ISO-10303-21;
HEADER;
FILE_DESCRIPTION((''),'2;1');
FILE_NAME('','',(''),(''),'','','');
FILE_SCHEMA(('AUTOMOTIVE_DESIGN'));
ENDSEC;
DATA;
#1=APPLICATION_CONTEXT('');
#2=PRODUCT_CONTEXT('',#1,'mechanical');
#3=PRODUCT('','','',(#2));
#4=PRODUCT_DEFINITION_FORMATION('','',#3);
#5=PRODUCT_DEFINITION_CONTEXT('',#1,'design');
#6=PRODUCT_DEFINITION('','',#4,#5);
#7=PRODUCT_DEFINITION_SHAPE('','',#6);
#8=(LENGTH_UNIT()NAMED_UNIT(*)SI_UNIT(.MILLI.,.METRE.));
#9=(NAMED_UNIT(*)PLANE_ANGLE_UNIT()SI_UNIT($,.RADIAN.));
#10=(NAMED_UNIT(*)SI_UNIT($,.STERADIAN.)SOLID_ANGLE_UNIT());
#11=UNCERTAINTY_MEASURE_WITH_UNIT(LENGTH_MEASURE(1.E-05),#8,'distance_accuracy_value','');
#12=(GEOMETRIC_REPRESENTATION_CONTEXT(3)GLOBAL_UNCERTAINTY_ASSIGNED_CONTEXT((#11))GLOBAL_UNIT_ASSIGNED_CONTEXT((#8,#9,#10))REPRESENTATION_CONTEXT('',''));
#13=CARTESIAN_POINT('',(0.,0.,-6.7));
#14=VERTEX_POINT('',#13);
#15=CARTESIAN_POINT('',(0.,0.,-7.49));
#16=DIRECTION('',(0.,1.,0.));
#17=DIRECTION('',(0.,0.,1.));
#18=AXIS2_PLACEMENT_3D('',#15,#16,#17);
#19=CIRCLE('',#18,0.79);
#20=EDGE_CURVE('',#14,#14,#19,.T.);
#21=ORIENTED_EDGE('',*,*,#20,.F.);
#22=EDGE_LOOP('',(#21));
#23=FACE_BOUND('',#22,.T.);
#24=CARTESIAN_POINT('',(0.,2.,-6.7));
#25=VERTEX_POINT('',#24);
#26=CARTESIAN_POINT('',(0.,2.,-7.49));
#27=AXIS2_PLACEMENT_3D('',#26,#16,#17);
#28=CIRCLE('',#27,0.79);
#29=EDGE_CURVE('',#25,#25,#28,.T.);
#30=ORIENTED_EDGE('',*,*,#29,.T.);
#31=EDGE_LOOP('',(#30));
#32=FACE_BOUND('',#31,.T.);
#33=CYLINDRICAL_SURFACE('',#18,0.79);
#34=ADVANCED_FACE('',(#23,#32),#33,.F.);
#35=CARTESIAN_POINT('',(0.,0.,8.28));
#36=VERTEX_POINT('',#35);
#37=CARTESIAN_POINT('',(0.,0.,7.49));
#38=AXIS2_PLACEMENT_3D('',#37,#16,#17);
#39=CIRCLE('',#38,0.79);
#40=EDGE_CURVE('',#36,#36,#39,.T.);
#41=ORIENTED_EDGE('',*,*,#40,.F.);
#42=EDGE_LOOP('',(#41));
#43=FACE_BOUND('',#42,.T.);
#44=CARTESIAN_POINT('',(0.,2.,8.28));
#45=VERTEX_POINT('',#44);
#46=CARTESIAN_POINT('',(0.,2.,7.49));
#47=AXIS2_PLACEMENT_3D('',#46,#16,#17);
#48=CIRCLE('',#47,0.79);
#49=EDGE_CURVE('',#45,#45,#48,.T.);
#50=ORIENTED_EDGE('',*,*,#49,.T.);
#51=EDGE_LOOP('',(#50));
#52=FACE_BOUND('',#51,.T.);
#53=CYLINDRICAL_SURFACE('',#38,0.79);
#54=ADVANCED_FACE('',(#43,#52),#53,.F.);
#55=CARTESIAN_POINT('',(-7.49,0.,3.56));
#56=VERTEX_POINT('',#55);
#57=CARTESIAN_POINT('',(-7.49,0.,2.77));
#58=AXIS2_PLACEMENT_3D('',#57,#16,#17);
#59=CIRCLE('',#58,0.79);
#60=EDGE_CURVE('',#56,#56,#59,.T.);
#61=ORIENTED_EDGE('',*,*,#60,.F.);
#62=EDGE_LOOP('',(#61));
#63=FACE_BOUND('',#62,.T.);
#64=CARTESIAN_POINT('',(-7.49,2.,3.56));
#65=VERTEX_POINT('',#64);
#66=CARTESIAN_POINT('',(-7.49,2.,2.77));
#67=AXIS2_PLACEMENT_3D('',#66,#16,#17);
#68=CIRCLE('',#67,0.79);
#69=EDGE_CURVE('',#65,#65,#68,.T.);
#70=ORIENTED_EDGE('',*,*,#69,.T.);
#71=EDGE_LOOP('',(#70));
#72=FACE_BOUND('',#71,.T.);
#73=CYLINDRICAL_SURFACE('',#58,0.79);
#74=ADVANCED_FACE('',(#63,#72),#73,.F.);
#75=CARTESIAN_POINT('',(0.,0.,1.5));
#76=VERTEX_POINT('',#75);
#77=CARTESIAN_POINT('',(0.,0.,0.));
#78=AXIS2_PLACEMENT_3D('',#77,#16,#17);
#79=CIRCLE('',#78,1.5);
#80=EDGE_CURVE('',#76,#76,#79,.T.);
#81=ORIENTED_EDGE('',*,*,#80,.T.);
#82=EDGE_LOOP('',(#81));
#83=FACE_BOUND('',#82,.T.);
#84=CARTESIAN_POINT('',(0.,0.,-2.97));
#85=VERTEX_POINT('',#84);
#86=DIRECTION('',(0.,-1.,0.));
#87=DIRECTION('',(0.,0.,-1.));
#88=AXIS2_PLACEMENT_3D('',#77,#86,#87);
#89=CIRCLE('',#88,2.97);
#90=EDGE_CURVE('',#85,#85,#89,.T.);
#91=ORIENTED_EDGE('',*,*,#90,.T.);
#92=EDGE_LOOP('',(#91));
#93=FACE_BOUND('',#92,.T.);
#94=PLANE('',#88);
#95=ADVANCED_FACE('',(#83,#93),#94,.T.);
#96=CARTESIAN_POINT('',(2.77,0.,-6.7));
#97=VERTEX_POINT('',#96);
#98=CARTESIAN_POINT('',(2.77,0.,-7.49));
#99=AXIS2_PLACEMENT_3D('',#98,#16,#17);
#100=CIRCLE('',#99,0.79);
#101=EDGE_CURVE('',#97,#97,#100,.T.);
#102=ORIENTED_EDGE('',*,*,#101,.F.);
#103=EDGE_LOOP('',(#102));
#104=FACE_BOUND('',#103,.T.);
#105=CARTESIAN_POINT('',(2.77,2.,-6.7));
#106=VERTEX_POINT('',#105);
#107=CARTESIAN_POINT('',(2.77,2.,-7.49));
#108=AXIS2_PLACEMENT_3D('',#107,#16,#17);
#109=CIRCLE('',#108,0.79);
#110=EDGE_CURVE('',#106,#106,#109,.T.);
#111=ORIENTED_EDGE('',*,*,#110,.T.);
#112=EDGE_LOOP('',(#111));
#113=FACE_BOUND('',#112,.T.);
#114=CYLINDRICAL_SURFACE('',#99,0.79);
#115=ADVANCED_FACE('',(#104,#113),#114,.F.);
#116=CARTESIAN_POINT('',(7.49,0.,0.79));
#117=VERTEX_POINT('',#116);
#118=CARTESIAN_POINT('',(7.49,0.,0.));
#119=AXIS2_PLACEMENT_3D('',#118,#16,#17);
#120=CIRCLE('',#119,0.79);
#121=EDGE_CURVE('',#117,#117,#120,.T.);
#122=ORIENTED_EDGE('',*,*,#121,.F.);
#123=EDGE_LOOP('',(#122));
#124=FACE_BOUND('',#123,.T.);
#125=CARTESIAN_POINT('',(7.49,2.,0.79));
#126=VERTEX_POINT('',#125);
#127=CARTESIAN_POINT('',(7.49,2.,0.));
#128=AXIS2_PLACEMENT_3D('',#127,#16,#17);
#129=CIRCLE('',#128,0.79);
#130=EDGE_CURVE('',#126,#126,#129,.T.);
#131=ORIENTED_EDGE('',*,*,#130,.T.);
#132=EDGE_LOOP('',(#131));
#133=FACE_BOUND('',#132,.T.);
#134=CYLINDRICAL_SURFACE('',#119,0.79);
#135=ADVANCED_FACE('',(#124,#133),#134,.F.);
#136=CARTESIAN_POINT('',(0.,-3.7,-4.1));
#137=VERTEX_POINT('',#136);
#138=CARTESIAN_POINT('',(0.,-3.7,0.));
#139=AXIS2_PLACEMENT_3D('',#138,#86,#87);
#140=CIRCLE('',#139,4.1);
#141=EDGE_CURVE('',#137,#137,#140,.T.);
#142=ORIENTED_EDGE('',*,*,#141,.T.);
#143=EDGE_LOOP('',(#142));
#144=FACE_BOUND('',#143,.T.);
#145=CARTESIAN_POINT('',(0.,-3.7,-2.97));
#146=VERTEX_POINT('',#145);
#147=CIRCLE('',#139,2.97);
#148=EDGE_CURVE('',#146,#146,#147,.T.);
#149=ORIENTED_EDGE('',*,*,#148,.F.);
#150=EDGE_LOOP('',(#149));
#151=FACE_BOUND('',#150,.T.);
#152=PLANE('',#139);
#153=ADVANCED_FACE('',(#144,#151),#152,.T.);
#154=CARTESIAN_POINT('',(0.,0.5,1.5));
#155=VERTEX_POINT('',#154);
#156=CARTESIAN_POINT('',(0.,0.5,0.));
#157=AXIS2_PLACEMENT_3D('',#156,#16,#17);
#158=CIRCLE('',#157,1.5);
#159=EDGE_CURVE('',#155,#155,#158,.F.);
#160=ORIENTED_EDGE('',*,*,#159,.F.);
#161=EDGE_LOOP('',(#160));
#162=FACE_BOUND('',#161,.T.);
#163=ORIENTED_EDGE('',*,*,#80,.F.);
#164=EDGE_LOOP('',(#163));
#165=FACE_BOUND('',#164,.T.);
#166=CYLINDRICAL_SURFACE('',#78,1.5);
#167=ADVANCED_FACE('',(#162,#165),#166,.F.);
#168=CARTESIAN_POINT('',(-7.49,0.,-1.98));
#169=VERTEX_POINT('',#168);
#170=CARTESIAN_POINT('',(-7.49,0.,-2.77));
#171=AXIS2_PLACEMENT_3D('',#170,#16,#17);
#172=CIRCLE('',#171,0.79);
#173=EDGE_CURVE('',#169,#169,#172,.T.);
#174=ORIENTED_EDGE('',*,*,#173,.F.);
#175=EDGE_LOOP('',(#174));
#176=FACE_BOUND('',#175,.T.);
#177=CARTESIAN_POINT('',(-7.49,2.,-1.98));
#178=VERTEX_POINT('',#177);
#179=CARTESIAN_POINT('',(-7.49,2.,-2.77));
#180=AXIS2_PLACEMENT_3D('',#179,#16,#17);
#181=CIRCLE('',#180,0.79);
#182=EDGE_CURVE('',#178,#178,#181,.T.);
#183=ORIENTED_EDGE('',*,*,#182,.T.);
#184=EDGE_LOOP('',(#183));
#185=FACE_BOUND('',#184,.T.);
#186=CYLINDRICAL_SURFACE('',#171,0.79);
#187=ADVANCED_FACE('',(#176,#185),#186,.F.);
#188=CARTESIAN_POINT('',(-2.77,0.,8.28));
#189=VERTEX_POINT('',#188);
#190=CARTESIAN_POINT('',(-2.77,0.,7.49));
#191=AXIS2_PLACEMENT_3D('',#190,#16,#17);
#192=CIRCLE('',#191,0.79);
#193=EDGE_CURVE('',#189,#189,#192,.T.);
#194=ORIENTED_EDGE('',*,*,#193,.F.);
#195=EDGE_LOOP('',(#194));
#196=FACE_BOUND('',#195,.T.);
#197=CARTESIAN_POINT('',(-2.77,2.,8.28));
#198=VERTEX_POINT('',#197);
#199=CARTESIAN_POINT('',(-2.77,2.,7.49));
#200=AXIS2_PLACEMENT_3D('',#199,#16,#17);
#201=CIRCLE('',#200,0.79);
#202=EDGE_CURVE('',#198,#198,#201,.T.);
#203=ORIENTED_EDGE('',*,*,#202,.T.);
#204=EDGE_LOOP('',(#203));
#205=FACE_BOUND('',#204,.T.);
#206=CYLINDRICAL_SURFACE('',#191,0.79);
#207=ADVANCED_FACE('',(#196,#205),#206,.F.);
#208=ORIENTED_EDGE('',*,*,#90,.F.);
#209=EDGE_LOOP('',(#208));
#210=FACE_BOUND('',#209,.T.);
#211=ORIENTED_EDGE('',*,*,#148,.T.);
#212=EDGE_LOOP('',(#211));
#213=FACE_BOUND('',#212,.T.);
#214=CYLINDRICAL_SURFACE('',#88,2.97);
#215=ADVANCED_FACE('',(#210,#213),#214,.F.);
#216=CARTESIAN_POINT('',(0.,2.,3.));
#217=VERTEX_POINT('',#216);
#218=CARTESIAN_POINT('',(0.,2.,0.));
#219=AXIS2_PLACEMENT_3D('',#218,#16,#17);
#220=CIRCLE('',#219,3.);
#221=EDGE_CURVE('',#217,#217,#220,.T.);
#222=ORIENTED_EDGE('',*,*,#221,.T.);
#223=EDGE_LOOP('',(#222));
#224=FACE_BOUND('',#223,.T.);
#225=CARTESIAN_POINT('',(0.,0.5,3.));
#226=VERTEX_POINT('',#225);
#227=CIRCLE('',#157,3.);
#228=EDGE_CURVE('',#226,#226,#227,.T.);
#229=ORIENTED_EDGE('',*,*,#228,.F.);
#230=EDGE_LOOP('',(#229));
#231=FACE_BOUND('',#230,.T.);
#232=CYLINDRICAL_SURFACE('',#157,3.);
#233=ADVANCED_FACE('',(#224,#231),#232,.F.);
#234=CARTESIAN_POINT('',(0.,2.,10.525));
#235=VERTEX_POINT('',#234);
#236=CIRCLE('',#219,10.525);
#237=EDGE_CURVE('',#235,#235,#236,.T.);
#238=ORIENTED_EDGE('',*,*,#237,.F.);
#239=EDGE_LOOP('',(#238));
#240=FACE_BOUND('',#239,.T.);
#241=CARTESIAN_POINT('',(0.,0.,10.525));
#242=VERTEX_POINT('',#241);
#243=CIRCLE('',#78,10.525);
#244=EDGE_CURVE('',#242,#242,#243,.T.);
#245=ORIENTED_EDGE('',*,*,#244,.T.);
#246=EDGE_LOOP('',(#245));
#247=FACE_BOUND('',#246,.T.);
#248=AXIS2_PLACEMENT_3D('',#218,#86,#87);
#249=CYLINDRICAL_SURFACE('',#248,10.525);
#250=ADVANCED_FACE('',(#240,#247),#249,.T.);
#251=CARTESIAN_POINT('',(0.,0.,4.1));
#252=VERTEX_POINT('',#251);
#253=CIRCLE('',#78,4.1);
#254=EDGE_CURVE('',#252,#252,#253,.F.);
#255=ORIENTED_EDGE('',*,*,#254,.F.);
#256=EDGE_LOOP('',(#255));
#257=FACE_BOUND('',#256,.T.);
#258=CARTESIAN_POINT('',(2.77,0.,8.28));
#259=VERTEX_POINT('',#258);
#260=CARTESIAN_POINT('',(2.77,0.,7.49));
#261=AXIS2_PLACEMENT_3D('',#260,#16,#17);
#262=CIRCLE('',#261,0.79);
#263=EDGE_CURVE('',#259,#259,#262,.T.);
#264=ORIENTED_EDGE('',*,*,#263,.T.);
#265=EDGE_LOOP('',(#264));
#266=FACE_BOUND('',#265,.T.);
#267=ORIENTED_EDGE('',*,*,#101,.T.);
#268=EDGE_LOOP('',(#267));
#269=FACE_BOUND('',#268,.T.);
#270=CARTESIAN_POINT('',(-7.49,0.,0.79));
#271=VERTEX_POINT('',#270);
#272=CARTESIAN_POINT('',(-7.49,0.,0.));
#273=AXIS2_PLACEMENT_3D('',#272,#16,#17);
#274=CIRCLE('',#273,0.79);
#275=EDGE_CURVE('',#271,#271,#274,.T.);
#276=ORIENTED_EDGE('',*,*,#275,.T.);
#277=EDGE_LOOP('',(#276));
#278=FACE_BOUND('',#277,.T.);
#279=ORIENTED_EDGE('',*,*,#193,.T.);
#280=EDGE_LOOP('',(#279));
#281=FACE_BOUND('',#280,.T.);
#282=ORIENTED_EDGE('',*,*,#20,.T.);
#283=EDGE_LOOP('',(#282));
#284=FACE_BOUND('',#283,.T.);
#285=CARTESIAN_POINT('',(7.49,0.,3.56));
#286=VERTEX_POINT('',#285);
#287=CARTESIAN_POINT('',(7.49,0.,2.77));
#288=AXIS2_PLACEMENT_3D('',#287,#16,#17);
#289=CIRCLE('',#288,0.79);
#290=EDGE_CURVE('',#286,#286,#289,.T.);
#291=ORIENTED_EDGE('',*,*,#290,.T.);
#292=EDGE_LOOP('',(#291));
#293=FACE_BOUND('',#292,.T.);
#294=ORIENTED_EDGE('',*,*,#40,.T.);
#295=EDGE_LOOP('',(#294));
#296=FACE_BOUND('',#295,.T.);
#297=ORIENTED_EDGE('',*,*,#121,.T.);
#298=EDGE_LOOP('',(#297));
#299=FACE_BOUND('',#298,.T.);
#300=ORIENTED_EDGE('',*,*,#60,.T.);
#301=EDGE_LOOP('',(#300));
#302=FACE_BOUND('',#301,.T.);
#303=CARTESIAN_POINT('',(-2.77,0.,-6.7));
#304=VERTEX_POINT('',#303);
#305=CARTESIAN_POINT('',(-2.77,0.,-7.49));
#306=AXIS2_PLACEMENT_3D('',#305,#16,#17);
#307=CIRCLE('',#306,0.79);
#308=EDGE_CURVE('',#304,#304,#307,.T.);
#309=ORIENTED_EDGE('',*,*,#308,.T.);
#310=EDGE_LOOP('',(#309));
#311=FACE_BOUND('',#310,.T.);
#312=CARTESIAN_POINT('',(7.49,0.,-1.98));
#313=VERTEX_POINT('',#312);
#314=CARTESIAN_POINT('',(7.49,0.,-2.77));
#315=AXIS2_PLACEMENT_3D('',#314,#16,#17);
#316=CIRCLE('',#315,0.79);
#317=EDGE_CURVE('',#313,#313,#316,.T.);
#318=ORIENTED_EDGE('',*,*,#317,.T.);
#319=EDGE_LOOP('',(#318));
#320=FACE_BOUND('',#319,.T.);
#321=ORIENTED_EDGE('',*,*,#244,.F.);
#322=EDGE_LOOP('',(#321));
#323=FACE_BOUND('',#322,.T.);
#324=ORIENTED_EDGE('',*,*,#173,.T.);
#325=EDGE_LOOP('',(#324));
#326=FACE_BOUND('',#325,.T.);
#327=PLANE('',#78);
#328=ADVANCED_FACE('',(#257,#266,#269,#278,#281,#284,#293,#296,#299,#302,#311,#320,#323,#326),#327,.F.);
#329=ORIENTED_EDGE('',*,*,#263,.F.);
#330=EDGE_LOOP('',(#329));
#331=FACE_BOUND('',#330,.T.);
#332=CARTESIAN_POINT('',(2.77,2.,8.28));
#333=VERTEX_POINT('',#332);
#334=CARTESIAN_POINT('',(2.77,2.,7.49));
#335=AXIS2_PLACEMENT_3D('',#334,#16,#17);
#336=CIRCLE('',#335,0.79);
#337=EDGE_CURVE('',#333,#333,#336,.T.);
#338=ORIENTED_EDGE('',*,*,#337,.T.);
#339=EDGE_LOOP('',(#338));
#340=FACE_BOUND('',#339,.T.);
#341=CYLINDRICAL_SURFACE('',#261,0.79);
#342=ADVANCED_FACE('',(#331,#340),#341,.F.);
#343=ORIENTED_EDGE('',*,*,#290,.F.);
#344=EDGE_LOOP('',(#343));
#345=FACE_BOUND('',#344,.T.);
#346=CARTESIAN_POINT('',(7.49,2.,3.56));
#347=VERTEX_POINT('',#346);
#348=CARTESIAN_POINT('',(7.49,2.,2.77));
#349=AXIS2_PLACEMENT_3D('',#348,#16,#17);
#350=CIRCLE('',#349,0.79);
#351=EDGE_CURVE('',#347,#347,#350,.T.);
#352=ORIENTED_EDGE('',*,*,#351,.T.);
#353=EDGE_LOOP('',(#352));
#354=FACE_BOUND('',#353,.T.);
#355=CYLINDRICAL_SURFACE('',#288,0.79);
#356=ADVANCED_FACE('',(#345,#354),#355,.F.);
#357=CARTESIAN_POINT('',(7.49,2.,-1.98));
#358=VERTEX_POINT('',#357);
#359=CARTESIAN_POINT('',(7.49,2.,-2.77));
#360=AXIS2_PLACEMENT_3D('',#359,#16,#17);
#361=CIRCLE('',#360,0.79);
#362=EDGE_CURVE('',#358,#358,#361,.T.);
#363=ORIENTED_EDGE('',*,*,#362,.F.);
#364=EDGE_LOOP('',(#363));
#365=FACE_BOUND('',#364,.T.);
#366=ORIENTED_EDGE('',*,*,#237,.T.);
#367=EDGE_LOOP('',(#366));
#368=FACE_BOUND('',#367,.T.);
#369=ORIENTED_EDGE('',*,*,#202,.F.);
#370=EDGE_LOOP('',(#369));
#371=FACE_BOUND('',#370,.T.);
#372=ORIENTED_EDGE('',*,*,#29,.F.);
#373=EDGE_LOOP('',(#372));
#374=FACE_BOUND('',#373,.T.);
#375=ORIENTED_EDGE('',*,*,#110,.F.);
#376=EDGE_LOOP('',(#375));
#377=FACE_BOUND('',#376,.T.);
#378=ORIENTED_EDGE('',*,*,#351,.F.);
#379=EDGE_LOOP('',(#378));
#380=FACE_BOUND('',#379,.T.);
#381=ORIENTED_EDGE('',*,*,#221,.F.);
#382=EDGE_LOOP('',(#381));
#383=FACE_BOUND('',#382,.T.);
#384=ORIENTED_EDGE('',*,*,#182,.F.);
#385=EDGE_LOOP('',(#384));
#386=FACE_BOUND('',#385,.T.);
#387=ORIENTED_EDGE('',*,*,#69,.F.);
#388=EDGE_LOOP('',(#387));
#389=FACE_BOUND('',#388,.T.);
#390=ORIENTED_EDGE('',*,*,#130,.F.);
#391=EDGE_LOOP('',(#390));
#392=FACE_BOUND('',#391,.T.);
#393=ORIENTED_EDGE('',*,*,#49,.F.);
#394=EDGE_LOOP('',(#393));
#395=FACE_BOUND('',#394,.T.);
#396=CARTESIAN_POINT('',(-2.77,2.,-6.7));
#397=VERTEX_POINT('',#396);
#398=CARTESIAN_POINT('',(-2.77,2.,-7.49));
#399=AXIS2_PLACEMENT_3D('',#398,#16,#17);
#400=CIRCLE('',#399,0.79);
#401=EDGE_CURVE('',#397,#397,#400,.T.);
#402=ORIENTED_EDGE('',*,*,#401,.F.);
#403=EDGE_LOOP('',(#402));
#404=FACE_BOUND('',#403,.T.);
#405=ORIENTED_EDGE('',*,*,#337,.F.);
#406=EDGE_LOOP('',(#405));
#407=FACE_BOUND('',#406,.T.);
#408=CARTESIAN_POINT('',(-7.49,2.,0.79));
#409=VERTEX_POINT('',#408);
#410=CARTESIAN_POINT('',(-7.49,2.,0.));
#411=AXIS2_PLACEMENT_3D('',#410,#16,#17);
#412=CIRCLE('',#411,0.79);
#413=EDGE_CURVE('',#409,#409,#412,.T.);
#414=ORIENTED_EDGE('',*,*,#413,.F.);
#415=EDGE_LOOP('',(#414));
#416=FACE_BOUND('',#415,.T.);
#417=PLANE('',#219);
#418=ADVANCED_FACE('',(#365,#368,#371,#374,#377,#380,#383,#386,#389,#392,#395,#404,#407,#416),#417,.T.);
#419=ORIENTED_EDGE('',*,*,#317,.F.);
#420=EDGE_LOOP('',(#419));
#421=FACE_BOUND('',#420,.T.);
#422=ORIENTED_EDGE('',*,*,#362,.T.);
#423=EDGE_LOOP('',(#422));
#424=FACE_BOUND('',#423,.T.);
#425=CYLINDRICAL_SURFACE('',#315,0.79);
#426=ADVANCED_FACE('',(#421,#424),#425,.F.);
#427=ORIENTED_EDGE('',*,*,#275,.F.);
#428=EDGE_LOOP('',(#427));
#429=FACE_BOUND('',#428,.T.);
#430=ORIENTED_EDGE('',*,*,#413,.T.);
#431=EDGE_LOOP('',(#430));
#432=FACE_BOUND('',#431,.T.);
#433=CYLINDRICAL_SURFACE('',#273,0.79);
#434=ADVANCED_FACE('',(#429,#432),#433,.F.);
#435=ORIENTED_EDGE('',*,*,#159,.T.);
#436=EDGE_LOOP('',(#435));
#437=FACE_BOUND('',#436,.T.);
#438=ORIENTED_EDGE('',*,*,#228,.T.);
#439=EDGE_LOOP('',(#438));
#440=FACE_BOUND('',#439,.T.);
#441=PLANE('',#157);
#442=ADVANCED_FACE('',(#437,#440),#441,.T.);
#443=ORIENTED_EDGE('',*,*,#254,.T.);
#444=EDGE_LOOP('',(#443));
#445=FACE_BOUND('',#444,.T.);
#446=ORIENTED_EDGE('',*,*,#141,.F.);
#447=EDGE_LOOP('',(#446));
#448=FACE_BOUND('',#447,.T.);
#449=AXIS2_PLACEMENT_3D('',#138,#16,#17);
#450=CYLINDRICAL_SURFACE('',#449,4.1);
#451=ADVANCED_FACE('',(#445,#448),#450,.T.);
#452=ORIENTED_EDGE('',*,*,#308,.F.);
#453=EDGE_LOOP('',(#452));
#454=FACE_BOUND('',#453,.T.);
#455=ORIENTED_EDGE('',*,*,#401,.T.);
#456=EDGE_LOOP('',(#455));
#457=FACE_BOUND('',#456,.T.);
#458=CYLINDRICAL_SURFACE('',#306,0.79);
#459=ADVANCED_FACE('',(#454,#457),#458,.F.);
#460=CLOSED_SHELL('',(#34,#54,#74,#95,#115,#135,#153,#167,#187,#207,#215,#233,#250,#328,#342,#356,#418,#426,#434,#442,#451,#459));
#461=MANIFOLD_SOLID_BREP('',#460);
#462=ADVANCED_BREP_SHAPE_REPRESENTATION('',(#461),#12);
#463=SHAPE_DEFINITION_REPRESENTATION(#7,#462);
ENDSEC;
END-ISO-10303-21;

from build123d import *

# Parameters (mm, degrees)
SKETCH_1_R           = 10.525
EXTRUDE_1_DEPTH      = 2
SKETCH_2_R           = 4.1
EXTRUDE_2_DEPTH      = 3.7
SKETCH_3_R           = 2.97
CUT_EXTRUDE_1_DEPTH  = 3.7
SKETCH_4_R           = 1.5
CUT_EXTRUDE_2_DEPTH  = 2
SKETCH_5_R           = 3
CUT_EXTRUDE_3_DEPTH  = 1.5
SKETCH_6_R           = 0.79
CUT_EXTRUDE_4_DEPTH  = 2
SKETCH_7_R           = 0.79
CUT_EXTRUDE_5_DEPTH  = 2
SKETCH_8_R           = 0.79
CUT_EXTRUDE_6_DEPTH  = 2
SKETCH_9_R           = 0.79
CUT_EXTRUDE_7_DEPTH  = 2
SKETCH_10_R          = 0.79
CUT_EXTRUDE_8_DEPTH  = 2
SKETCH_11_R          = 0.79
CUT_EXTRUDE_9_DEPTH  = 2
SKETCH_12_R          = 0.79
CUT_EXTRUDE_10_DEPTH = 2
SKETCH_13_R          = 0.79
CUT_EXTRUDE_11_DEPTH = 2
SKETCH_14_R          = 0.79
CUT_EXTRUDE_12_DEPTH = 2
SKETCH_15_R          = 0.79
CUT_EXTRUDE_13_DEPTH = 2
SKETCH_16_R          = 0.79
CUT_EXTRUDE_14_DEPTH = 2
SKETCH_17_R          = 0.79
CUT_EXTRUDE_15_DEPTH = 2


with BuildPart() as part:
    # ｽｹｯﾁ1 → ﾎﾞｽ - 押し出し1 (new body)
    with BuildSketch(Plane(origin=(0, 0, 0), x_dir=(1, 0, 0), z_dir=(0, 1, 0))):
        Circle(SKETCH_1_R)
    extrude(amount=EXTRUDE_1_DEPTH)

    # ｽｹｯﾁ2 → ﾎﾞｽ - 押し出し2 (add)
    with BuildSketch(Plane(origin=(0, 0, 0), x_dir=(-1, 0, 0), z_dir=(0, -1, 0))):
        Circle(SKETCH_2_R)
    extrude(amount=EXTRUDE_2_DEPTH)

    # ｽｹｯﾁ3 → ｶｯﾄ - 押し出し1 (cut)
    with BuildSketch(Plane(origin=(0, -3.7, 0), x_dir=(-1, 0, 0), z_dir=(0, -1, 0))):
        Circle(SKETCH_3_R)
    extrude(amount=-CUT_EXTRUDE_1_DEPTH, mode=Mode.SUBTRACT)

    # ｽｹｯﾁ4 → ｶｯﾄ - 押し出し2 (cut)
    with BuildSketch(Plane(origin=(0, 2, 0), x_dir=(1, 0, 0), z_dir=(0, 1, 0))):
        Circle(SKETCH_4_R)
    extrude(amount=-CUT_EXTRUDE_2_DEPTH, mode=Mode.SUBTRACT)

    # ｽｹｯﾁ5 → ｶｯﾄ - 押し出し3 (cut)
    with BuildSketch(Plane(origin=(0, 2, 0), x_dir=(1, 0, 0), z_dir=(0, 1, 0))):
        Circle(SKETCH_5_R)
    extrude(amount=-CUT_EXTRUDE_3_DEPTH, mode=Mode.SUBTRACT)

    # ｽｹｯﾁ6 → ｶｯﾄ - 押し出し4 (cut)
    with BuildSketch(Plane(origin=(0, 2, 0), x_dir=(1, 0, 0), z_dir=(0, 1, 0))):
        with Locations((0, 7.49)):
            Circle(SKETCH_6_R)
    extrude(amount=-CUT_EXTRUDE_4_DEPTH, mode=Mode.SUBTRACT)

    # ｽｹｯﾁ7 → ｶｯﾄ - 押し出し5 (cut)
    with BuildSketch(Plane(origin=(0, 2, 0), x_dir=(1, 0, 0), z_dir=(0, 1, 0))):
        with Locations((2.77, 7.49)):
            Circle(SKETCH_7_R)
    extrude(amount=-CUT_EXTRUDE_5_DEPTH, mode=Mode.SUBTRACT)

    # ｽｹｯﾁ8 → ｶｯﾄ - 押し出し6 (cut)
    with BuildSketch(Plane(origin=(0, 2, 0), x_dir=(1, 0, 0), z_dir=(0, 1, 0))):
        with Locations((-2.77, 7.49)):
            Circle(SKETCH_8_R)
    extrude(amount=-CUT_EXTRUDE_6_DEPTH, mode=Mode.SUBTRACT)

    # ｽｹｯﾁ9 → ｶｯﾄ - 押し出し7 (cut)
    with BuildSketch(Plane(origin=(0, 2, 0), x_dir=(1, 0, 0), z_dir=(0, 1, 0))):
        with Locations((7.49, 0)):
            Circle(SKETCH_9_R)
    extrude(amount=-CUT_EXTRUDE_7_DEPTH, mode=Mode.SUBTRACT)

    # ｽｹｯﾁ10 → ｶｯﾄ - 押し出し8 (cut)
    with BuildSketch(Plane(origin=(0, 2, 0), x_dir=(1, 0, 0), z_dir=(0, 1, 0))):
        with Locations((7.49, -2.77)):
            Circle(SKETCH_10_R)
    extrude(amount=-CUT_EXTRUDE_8_DEPTH, mode=Mode.SUBTRACT)

    # ｽｹｯﾁ11 → ｶｯﾄ - 押し出し9 (cut)
    with BuildSketch(Plane(origin=(0, 2, 0), x_dir=(1, 0, 0), z_dir=(0, 1, 0))):
        with Locations((7.49, 2.77)):
            Circle(SKETCH_11_R)
    extrude(amount=-CUT_EXTRUDE_9_DEPTH, mode=Mode.SUBTRACT)

    # ｽｹｯﾁ12 → ｶｯﾄ - 押し出し10 (cut)
    with BuildSketch(Plane(origin=(0, 2, 0), x_dir=(1, 0, 0), z_dir=(0, 1, 0))):
        with Locations((0, -7.49)):
            Circle(SKETCH_12_R)
    extrude(amount=-CUT_EXTRUDE_10_DEPTH, mode=Mode.SUBTRACT)

    # ｽｹｯﾁ13 → ｶｯﾄ - 押し出し11 (cut)
    with BuildSketch(Plane(origin=(0, 2, 0), x_dir=(1, 0, 0), z_dir=(0, 1, 0))):
        with Locations((2.77, -7.49)):
            Circle(SKETCH_13_R)
    extrude(amount=-CUT_EXTRUDE_11_DEPTH, mode=Mode.SUBTRACT)

    # ｽｹｯﾁ14 → ｶｯﾄ - 押し出し12 (cut)
    with BuildSketch(Plane(origin=(0, 2, 0), x_dir=(1, 0, 0), z_dir=(0, 1, 0))):
        with Locations((-2.77, -7.49)):
            Circle(SKETCH_14_R)
    extrude(amount=-CUT_EXTRUDE_12_DEPTH, mode=Mode.SUBTRACT)

    # ｽｹｯﾁ15 → ｶｯﾄ - 押し出し13 (cut)
    with BuildSketch(Plane(origin=(0, 2, 0), x_dir=(1, 0, 0), z_dir=(0, 1, 0))):
        with Locations((-7.49, 0)):
            Circle(SKETCH_15_R)
    extrude(amount=-CUT_EXTRUDE_13_DEPTH, mode=Mode.SUBTRACT)

    # ｽｹｯﾁ16 → ｶｯﾄ - 押し出し14 (cut)
    with BuildSketch(Plane(origin=(0, 2, 0), x_dir=(1, 0, 0), z_dir=(0, 1, 0))):
        with Locations((-7.49, 2.77)):
            Circle(SKETCH_16_R)
    extrude(amount=-CUT_EXTRUDE_14_DEPTH, mode=Mode.SUBTRACT)

    # ｽｹｯﾁ17 → ｶｯﾄ - 押し出し15 (cut)
    with BuildSketch(Plane(origin=(0, 2, 0), x_dir=(1, 0, 0), z_dir=(0, 1, 0))):
        with Locations((-7.49, -2.77)):
            Circle(SKETCH_17_R)
    extrude(amount=-CUT_EXTRUDE_15_DEPTH, mode=Mode.SUBTRACT)


solid = part.part
